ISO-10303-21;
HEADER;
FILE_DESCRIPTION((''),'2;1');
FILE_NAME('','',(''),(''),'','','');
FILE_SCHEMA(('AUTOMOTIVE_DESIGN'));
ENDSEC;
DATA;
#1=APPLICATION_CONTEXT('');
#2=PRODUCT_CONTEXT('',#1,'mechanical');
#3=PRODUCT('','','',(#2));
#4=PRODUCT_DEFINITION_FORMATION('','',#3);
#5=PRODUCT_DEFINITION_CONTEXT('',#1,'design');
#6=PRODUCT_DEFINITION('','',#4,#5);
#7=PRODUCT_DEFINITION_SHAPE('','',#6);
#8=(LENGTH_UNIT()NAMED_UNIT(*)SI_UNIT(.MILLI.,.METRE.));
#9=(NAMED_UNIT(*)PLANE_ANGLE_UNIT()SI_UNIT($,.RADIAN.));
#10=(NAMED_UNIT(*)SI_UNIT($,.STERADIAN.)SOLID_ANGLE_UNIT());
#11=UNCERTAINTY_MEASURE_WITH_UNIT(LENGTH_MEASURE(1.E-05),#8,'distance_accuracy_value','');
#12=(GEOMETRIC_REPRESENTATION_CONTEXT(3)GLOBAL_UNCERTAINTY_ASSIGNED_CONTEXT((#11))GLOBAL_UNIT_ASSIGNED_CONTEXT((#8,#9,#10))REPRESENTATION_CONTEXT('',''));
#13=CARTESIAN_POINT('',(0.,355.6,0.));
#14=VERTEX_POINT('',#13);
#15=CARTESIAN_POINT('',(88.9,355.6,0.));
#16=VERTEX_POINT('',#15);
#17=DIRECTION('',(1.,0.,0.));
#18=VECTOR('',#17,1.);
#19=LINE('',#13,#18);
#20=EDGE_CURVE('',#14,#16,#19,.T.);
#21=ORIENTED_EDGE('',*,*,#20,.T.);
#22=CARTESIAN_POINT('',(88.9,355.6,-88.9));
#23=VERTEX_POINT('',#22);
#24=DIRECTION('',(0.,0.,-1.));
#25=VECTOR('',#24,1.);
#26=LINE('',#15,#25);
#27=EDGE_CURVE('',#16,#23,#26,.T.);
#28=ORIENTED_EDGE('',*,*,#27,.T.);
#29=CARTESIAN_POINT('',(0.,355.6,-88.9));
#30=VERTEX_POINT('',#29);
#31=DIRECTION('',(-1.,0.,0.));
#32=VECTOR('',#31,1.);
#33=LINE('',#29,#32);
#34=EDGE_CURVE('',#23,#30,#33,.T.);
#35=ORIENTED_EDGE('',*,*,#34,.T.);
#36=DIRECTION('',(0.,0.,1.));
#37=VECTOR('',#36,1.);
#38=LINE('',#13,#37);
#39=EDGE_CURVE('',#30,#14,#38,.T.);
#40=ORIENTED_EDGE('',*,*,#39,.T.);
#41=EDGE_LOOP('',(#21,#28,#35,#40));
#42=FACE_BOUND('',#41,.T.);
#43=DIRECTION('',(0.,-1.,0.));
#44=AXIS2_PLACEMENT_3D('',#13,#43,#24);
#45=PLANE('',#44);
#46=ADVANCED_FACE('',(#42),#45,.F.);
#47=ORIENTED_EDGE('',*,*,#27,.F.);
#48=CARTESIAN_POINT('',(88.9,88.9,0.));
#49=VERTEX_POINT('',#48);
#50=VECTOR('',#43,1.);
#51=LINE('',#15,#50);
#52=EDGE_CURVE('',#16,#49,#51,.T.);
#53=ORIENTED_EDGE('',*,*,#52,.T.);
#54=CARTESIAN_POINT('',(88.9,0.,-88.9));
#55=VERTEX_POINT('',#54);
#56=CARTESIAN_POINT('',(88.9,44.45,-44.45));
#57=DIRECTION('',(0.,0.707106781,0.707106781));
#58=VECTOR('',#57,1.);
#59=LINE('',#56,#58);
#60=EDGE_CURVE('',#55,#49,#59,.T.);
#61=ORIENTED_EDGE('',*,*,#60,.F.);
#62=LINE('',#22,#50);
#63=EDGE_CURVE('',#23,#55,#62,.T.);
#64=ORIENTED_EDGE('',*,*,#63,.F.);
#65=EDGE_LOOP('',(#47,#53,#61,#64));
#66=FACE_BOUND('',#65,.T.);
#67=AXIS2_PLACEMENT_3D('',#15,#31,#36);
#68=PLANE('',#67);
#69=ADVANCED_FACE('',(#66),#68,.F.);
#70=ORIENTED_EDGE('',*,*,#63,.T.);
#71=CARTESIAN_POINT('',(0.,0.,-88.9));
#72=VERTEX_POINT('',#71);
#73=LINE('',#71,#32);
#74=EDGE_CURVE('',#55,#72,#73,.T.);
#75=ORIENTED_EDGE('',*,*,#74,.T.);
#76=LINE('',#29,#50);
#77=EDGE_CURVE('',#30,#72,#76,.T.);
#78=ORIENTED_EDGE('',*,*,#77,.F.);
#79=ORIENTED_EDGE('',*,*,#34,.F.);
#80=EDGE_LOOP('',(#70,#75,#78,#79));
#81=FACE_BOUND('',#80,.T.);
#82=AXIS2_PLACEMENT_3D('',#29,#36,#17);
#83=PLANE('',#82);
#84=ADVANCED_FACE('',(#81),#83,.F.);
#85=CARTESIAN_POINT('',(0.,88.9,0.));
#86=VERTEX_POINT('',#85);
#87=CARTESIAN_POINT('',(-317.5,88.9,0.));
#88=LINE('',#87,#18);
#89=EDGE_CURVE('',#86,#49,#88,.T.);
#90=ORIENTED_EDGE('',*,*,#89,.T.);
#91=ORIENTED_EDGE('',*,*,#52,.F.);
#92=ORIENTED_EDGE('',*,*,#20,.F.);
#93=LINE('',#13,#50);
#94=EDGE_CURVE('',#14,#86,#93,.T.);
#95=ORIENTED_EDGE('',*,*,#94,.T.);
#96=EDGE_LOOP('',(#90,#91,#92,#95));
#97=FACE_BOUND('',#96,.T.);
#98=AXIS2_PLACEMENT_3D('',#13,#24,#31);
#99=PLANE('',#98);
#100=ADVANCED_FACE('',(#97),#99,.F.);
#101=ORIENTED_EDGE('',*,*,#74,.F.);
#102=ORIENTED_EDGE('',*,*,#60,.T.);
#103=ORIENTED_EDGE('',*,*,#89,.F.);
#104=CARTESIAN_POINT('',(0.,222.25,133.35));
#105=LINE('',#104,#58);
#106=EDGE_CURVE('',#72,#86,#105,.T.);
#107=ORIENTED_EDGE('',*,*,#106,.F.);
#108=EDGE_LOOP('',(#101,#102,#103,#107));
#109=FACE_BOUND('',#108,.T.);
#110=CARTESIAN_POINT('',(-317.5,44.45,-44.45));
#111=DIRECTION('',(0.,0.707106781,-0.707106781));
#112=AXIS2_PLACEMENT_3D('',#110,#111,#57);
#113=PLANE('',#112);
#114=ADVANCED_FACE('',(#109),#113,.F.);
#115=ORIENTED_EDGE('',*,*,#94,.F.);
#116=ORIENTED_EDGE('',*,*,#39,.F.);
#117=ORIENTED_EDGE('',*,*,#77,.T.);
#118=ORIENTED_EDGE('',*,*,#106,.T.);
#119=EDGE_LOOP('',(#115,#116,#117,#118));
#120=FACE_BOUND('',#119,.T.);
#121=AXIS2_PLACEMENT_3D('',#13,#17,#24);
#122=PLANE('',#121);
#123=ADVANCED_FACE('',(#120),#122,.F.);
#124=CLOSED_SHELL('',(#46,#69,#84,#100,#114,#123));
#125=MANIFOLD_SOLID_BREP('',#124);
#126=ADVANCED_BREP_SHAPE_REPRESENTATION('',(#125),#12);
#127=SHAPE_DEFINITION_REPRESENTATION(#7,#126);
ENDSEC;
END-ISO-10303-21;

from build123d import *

# Parameters (mm, degrees)
SKETCH1_W           = 88.9
SKETCH1_H           = 88.9
BOSS_EXTRUDE1_DEPTH = 355.6
CUT_EXTRUDE1_DEPTH  = 406.4


with BuildPart() as part:
    # Sketch1 → Boss-Extrude1 (new body)
    with BuildSketch(Plane(origin=(0, 0, 0), x_dir=(1, 0, 0), z_dir=(0, 1, 0))):
        with Locations((44.45, 44.45)):
            Rectangle(SKETCH1_W, SKETCH1_H)
    extrude(amount=BOSS_EXTRUDE1_DEPTH)

    # Sketch3 → Cut-Extrude1 (cut)
    with BuildSketch(Plane(origin=(88.9, 0, 0), x_dir=(0, 0, -1), z_dir=(1, 0, 0))):
        Polygon((0, 0), (88.9, 0), (0, 88.9), align=None)
    extrude(amount=-CUT_EXTRUDE1_DEPTH, mode=Mode.SUBTRACT)


solid = part.part
